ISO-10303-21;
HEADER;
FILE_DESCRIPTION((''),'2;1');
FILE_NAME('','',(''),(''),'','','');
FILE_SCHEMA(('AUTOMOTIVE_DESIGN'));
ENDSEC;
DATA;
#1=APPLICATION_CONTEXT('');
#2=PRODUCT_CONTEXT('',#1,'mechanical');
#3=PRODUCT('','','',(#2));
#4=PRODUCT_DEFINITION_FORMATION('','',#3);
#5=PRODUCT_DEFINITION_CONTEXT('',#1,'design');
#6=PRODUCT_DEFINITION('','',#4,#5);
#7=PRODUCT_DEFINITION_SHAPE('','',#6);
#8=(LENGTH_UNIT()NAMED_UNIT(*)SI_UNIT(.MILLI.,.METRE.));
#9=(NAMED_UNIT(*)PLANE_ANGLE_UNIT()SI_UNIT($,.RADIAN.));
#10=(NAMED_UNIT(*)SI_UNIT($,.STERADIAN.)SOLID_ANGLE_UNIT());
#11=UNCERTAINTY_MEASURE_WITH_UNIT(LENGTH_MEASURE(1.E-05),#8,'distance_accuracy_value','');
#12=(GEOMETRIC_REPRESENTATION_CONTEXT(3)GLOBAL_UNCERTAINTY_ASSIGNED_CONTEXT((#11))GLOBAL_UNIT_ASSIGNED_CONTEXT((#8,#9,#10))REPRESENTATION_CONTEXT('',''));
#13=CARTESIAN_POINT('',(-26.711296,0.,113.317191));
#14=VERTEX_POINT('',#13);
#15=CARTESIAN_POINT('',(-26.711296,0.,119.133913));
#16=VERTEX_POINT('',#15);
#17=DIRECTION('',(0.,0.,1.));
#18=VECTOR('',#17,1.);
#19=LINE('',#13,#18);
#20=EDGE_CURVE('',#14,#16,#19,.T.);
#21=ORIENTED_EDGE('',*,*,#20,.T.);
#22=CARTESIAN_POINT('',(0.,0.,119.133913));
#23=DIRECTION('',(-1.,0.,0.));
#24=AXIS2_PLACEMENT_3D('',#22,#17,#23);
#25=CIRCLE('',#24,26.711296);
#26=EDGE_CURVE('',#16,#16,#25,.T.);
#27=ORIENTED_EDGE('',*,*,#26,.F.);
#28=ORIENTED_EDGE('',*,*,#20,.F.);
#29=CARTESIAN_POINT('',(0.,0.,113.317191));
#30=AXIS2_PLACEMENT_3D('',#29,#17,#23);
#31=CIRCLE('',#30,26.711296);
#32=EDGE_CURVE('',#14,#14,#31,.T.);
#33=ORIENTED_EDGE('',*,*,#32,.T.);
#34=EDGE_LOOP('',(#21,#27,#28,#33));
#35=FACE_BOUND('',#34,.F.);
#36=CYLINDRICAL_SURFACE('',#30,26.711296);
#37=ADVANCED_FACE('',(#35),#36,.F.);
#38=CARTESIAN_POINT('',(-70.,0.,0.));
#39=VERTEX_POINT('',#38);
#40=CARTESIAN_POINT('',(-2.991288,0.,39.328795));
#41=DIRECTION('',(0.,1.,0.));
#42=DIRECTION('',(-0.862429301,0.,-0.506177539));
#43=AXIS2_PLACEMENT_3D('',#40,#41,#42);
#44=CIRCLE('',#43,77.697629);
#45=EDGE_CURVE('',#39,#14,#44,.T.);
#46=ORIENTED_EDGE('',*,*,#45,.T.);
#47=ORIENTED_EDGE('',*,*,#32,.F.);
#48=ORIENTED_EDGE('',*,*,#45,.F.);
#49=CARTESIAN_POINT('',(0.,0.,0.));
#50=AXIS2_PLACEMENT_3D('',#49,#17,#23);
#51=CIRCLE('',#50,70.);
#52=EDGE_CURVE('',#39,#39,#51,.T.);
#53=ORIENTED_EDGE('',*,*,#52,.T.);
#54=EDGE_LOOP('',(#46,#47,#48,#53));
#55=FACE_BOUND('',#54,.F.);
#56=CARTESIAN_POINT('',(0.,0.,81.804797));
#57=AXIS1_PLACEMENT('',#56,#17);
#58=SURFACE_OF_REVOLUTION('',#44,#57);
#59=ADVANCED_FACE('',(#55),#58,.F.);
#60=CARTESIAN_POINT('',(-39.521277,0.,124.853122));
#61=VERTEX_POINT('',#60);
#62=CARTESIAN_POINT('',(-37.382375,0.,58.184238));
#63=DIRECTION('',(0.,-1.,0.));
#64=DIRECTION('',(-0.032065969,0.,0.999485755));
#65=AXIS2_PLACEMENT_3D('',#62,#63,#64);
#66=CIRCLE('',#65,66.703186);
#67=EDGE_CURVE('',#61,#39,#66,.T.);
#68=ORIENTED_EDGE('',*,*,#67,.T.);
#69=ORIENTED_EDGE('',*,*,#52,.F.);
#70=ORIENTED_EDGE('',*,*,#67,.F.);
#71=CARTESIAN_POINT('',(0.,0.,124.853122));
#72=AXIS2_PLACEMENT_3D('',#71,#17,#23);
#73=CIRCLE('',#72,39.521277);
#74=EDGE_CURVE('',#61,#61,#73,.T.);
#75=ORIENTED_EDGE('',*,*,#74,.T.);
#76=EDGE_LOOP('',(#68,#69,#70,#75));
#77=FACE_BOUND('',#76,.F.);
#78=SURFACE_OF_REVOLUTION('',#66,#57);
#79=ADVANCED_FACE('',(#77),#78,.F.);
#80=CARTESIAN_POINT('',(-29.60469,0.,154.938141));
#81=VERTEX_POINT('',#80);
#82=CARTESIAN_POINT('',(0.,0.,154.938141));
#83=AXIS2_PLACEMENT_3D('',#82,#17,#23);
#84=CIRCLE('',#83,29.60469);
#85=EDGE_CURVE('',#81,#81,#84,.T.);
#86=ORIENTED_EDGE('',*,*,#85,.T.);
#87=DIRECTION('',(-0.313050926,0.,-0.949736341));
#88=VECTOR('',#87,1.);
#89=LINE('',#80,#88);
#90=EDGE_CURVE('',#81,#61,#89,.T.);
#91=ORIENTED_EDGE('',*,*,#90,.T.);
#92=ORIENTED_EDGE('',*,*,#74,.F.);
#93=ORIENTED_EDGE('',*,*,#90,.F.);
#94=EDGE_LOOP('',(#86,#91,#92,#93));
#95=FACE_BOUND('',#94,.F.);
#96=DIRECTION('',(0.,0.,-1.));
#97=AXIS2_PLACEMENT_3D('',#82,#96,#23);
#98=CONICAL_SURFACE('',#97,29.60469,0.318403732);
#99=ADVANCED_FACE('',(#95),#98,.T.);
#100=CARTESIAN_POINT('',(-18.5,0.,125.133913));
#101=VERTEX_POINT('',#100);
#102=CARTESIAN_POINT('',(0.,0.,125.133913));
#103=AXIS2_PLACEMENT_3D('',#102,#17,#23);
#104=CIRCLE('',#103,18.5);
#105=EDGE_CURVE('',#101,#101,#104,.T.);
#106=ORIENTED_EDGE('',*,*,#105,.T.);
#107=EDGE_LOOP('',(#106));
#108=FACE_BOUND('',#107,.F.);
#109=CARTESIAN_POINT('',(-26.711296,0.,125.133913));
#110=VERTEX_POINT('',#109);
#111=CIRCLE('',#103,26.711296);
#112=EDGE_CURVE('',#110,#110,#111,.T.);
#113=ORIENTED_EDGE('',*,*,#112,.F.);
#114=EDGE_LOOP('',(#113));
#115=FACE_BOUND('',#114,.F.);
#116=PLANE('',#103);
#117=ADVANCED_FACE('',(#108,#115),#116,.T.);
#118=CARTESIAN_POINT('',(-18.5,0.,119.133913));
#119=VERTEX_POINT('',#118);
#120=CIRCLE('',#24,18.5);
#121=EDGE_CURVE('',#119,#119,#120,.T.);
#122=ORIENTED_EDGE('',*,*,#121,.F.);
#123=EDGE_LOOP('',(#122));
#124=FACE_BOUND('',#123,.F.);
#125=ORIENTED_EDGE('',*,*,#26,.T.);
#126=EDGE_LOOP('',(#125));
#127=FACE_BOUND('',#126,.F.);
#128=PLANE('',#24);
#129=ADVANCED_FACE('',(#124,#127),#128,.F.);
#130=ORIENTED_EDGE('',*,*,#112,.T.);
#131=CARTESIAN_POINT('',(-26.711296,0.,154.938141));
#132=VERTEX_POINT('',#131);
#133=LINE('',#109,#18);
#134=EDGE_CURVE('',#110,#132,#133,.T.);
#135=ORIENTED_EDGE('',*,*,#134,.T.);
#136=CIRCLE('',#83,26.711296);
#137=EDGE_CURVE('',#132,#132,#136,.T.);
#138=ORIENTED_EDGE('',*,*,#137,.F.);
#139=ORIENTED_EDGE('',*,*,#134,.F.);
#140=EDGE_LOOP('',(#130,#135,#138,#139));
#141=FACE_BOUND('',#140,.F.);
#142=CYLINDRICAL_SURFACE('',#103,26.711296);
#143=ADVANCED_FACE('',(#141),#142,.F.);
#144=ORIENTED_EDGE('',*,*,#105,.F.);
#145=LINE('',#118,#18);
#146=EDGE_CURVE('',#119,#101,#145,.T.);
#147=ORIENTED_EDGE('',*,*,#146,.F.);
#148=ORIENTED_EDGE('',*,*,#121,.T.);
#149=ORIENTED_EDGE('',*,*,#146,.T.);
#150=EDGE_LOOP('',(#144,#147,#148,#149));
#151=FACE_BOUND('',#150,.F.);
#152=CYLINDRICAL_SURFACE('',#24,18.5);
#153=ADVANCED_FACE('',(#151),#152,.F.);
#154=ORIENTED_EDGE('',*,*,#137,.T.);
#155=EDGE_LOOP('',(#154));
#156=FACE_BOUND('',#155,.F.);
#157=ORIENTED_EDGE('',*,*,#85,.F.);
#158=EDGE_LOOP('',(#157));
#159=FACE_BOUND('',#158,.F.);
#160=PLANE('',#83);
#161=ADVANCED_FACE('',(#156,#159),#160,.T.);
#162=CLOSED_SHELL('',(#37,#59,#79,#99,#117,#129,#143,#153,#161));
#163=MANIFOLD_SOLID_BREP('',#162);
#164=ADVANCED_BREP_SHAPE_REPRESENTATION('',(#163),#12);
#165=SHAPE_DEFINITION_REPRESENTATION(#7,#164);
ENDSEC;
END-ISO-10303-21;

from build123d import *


with BuildPart() as f1:
    # F0 (on Front) → F1 (revolve)
    with BuildSketch(Plane.XZ):
        with BuildLine():
            ThreePointArc((-70, 0), (-75.573115, 67.056037), (-26.711296, 113.317191))
            Line((-26.711296, 113.317191), (-26.711296, 119.133913))
            Line((-26.711296, 119.133913), (-18.5, 119.133913))
            Line((-18.5, 119.133913), (-18.5, 125.133913))
            Line((-18.5, 125.133913), (-26.711296, 125.133913))
            Line((-26.711296, 125.133913), (-26.711296, 154.938141))
            Line((-26.711296, 154.938141), (-29.60469, 154.938141))
            Line((-29.60469, 154.938141), (-39.521277, 124.853122))
            ThreePointArc((-39.521277, 124.853122), (-102.18268, 74.00307), (-70, 0))
        make_face()
    revolve(axis=Axis((0, 0, 81.804797), (0, 0, 1)))


solid = f1.part
